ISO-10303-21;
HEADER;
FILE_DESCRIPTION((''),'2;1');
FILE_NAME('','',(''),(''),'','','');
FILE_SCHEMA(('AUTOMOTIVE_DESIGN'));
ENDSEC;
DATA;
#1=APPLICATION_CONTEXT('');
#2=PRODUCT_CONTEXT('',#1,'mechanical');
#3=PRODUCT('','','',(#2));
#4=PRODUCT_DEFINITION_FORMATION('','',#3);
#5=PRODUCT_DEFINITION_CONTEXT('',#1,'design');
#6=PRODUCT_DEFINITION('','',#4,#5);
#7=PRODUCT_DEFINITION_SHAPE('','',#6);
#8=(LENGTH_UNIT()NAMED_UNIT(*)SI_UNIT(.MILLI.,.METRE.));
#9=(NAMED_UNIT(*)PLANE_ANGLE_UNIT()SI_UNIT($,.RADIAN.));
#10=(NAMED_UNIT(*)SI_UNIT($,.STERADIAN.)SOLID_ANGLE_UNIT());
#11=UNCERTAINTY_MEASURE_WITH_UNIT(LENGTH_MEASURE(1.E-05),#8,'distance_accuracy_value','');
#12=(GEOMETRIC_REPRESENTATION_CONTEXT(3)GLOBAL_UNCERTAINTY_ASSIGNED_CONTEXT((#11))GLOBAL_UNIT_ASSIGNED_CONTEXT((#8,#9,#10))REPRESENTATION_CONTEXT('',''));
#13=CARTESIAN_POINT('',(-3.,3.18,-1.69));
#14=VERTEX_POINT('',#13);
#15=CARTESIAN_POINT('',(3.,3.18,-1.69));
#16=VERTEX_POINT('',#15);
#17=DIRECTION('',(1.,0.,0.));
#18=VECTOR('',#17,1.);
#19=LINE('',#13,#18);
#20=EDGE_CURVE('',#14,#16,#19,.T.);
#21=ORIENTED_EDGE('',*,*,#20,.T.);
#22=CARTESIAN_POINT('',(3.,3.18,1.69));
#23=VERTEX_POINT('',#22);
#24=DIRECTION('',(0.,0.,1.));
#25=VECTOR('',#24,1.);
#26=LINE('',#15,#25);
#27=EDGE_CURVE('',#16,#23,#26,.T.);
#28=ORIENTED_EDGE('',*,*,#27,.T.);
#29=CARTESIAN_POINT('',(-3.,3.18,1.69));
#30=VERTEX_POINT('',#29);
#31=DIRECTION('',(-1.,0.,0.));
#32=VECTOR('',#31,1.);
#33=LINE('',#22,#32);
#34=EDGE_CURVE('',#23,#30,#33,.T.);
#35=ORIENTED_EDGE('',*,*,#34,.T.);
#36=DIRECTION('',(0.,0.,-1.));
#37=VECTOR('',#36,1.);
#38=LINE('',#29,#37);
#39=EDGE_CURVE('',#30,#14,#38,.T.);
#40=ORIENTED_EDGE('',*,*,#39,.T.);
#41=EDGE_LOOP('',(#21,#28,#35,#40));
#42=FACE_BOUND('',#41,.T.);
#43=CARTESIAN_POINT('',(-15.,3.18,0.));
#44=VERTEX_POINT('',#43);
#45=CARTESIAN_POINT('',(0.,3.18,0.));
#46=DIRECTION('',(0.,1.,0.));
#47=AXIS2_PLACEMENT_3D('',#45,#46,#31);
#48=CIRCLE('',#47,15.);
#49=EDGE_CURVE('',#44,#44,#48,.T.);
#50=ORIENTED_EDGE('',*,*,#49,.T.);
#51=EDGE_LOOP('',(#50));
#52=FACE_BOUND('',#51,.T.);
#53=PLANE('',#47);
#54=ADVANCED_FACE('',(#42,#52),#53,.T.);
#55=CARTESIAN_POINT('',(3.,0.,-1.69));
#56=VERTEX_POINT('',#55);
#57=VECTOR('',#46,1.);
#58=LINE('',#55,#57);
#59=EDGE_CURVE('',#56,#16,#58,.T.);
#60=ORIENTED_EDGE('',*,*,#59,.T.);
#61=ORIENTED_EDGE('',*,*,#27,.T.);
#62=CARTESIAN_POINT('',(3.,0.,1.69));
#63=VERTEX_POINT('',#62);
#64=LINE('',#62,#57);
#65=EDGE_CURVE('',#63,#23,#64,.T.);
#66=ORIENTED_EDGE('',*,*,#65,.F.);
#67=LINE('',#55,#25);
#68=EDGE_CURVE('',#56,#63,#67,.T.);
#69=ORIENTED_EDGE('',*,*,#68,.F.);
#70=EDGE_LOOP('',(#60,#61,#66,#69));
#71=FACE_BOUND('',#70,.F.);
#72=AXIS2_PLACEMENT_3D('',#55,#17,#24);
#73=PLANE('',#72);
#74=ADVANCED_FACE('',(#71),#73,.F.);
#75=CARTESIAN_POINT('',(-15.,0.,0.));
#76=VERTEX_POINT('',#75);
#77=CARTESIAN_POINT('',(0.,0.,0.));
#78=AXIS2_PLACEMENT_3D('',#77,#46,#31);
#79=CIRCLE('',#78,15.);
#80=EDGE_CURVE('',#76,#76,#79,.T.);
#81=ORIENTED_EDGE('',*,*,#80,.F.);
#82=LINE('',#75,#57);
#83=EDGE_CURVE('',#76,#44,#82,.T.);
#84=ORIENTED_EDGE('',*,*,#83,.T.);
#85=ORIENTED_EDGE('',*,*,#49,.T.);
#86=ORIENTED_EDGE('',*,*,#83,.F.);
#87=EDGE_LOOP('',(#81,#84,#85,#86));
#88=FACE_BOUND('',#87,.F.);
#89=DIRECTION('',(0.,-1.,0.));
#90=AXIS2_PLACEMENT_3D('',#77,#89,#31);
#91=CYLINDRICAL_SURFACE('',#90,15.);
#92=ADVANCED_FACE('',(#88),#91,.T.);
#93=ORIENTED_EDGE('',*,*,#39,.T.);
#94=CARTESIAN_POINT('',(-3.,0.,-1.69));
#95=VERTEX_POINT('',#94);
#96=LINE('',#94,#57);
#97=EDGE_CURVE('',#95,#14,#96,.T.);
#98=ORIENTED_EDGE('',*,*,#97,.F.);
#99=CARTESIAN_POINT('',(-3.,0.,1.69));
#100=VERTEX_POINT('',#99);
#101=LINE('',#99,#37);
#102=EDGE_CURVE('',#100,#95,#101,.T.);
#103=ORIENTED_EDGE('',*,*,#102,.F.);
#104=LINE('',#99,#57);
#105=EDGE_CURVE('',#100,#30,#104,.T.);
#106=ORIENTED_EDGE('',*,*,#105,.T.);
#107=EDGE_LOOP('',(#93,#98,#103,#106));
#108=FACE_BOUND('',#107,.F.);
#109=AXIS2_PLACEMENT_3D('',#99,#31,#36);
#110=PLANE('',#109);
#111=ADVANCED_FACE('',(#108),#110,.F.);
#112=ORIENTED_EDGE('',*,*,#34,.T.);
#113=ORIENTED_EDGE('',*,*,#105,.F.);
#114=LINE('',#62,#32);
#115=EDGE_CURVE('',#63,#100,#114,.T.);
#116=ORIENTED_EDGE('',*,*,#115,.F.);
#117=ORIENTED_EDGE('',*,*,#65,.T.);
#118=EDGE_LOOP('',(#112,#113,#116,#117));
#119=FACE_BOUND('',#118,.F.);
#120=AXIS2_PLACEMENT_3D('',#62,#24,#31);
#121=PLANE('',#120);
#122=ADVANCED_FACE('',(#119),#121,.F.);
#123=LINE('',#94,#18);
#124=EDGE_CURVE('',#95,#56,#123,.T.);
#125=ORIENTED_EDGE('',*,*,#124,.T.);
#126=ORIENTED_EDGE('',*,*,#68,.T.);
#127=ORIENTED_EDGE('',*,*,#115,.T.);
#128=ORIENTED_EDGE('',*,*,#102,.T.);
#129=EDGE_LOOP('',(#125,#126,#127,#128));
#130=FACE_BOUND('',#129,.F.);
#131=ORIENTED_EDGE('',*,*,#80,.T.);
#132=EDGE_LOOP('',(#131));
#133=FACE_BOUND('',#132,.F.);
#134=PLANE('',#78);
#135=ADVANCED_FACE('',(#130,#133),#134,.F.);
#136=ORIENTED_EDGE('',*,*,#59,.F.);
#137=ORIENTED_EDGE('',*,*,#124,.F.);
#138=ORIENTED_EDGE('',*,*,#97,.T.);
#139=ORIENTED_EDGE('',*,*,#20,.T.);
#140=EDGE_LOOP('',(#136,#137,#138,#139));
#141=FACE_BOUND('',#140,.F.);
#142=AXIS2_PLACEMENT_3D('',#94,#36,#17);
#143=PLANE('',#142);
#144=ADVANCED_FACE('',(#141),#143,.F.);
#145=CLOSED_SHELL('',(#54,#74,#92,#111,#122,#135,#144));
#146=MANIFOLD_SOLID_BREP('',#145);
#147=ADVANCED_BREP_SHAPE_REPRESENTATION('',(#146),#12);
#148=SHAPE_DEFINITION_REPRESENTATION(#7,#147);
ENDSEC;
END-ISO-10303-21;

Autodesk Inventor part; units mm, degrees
ref_plane "YZ Plane" through (0, 0, 0) normal (1, 0, 0) x (0, 1, 0)
ref_plane "XZ Plane" through (0, 0, 0) normal (0, 1, 0) x (-1, 0, 0)
ref_plane "XY Plane" through (0, 0, 0) normal (0, 0, 1) x (1, 0, 0)
sketch "Boceto1" plane through (0, 0, 0) normal (0, 1, 0) x (-1, 0, 0)
  line L0 (-3, 1.69) -> (3, 1.69)
  line L1 (3, 1.69) -> (3, -1.69)
  line L2 (3, -1.69) -> (-3, -1.69)
  line L3 (-3, -1.69) -> (-3, 1.69)
  line L4 (-3, 1.69) -> (3, -1.69) construction
  line L5 (3, 1.69) -> (-3, -1.69) construction
  circle A0 centre (0, 0) radius 15
  dimension "d0" = 6
  dimension "d1" = 3.38
  dimension "d2" = 30
extrude "Extrusión1" add sketch "Boceto1" along normal blind 3.18
properties part number "HOMBRO_SOST.EJE"
